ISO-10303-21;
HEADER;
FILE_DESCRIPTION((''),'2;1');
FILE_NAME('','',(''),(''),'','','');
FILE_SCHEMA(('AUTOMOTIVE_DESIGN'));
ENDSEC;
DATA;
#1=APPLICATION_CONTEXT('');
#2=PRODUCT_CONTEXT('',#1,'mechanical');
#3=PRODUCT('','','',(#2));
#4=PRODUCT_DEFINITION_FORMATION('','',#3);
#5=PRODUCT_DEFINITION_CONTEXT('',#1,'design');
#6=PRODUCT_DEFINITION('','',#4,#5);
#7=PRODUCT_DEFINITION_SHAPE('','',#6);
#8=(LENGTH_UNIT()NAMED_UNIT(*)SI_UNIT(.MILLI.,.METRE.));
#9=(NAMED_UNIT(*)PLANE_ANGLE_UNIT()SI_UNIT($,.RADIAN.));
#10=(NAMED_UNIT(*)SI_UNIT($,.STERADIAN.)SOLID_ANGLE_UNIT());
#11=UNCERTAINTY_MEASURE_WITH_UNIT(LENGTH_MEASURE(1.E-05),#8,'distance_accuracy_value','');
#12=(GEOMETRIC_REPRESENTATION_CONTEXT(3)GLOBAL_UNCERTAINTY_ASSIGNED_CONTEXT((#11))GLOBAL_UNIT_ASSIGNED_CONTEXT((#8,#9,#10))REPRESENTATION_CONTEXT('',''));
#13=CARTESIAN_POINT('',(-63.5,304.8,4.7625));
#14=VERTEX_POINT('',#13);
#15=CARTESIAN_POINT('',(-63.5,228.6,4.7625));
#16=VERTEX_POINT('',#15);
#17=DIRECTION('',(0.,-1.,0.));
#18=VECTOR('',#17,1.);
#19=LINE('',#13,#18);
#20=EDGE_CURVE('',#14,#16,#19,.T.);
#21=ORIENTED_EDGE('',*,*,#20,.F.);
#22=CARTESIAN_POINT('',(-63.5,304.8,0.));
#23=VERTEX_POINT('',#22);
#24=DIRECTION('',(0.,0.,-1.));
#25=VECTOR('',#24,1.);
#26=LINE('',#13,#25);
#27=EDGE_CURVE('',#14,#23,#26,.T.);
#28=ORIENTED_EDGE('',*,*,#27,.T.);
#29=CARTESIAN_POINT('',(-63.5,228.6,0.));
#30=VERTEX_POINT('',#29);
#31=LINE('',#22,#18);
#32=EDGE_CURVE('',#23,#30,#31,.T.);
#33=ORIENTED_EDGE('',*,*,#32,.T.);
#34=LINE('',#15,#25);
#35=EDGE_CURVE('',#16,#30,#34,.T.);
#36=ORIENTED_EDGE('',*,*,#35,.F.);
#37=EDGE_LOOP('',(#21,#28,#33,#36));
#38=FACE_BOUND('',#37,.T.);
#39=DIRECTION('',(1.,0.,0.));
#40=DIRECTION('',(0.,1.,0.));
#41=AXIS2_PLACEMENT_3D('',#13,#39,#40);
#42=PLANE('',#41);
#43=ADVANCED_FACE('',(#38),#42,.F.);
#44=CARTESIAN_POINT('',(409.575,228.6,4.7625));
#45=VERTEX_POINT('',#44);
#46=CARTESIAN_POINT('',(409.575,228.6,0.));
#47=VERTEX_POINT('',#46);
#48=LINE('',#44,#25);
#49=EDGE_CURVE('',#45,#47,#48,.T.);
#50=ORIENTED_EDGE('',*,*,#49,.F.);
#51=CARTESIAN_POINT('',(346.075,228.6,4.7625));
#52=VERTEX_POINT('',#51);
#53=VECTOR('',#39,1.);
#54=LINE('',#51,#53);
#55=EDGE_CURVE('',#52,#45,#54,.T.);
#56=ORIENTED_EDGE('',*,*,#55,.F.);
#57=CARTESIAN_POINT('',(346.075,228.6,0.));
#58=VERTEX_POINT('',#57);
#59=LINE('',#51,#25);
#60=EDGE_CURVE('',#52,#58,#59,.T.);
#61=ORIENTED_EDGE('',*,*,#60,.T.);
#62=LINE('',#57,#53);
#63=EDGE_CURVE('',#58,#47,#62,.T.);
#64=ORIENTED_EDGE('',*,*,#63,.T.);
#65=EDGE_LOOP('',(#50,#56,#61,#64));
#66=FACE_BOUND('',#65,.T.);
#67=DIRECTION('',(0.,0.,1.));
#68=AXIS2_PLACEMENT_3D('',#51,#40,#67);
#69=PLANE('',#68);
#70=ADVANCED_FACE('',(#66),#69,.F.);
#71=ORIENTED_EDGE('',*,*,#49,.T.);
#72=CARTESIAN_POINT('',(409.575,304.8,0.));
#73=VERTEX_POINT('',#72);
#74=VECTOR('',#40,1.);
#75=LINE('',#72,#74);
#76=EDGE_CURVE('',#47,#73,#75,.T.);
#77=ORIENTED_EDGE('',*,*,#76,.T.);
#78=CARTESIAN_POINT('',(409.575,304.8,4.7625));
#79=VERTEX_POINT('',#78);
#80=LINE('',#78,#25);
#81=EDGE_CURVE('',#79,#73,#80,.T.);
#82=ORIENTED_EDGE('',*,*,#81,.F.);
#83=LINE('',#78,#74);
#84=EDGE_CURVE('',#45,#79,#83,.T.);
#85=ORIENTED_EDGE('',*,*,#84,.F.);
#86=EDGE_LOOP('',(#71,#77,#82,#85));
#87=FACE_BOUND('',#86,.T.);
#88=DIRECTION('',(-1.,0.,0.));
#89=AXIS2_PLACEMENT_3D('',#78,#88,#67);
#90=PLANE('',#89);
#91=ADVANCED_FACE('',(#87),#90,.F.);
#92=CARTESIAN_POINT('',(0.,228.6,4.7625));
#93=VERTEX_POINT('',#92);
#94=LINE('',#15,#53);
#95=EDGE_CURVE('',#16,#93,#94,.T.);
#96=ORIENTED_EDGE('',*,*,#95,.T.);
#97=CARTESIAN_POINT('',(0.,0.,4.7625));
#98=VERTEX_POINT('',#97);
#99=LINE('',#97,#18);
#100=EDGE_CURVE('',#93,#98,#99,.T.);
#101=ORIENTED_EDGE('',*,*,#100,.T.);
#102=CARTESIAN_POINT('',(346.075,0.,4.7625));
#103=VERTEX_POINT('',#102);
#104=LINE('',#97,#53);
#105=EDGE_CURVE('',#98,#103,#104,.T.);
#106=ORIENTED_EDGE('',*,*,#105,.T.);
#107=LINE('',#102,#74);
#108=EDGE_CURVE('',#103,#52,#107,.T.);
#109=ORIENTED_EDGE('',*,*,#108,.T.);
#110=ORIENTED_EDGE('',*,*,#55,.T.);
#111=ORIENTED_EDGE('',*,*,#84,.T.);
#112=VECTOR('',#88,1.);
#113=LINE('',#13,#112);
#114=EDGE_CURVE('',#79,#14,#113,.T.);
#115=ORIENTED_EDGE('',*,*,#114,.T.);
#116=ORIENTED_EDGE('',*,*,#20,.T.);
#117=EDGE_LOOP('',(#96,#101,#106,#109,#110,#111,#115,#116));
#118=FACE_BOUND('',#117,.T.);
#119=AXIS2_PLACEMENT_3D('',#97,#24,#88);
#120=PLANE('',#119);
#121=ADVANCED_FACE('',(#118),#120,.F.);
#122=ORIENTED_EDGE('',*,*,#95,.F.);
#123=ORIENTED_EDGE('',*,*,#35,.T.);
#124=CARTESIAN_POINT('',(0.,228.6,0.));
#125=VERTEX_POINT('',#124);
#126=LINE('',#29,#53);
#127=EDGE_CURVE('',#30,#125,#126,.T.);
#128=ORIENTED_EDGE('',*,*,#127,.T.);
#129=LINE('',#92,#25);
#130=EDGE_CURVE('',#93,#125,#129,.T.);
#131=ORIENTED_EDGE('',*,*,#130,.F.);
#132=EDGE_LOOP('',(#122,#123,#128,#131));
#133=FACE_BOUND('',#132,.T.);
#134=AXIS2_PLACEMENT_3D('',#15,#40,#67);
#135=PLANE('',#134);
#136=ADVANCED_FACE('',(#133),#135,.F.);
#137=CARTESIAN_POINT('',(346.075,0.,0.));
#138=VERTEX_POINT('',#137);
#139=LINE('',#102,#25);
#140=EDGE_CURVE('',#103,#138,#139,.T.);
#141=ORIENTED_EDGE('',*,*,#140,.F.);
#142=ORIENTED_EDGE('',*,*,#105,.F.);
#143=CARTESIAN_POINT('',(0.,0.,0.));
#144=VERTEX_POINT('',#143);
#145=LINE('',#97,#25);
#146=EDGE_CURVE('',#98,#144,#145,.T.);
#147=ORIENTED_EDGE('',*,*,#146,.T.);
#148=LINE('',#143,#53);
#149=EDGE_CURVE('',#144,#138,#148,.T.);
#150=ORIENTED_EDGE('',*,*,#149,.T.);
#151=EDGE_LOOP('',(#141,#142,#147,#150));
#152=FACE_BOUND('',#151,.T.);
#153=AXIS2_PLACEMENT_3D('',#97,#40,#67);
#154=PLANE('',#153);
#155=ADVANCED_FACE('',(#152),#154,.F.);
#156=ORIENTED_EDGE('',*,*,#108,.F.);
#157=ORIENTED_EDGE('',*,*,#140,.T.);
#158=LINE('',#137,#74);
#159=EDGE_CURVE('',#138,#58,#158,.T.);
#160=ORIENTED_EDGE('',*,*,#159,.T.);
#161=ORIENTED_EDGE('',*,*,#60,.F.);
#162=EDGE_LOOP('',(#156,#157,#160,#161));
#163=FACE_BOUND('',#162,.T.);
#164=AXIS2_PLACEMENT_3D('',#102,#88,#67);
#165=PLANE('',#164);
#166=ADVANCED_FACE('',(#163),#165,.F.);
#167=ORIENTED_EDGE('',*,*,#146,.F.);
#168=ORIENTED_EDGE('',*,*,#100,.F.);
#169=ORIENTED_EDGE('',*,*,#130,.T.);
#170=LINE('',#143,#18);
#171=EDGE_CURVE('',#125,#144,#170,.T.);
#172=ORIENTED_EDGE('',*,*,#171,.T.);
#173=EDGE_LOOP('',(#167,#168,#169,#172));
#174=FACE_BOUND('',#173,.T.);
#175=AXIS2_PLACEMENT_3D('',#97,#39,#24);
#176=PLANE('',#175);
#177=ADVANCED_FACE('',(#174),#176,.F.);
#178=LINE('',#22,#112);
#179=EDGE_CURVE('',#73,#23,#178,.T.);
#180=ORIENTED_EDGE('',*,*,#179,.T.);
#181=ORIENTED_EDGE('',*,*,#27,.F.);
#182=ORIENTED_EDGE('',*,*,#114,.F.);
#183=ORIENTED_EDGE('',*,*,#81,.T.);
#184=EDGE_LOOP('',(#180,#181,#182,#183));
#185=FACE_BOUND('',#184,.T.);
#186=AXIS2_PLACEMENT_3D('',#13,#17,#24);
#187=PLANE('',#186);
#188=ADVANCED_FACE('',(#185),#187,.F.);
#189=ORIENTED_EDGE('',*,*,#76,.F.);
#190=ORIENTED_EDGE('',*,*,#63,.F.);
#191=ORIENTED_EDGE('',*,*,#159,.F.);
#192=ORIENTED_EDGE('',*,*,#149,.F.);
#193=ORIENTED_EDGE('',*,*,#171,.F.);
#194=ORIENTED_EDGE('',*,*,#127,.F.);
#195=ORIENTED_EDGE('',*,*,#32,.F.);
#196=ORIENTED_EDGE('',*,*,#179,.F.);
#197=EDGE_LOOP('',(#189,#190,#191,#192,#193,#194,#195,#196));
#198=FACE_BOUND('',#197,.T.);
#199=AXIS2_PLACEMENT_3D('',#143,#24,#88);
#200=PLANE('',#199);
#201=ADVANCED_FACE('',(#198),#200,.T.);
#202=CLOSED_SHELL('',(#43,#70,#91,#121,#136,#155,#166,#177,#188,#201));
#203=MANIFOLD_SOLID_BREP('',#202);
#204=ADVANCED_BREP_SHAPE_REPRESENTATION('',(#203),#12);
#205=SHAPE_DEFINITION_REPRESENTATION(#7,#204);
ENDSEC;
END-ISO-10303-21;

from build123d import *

# Parameters (mm, degrees)
BOSS_EXTRUDE1_DEPTH = 4.7625


with BuildPart() as part:
    # Sketch3 → Boss-Extrude1 (new body)
    with BuildSketch(Plane.XY):
        Polygon((346.075, 228.6), (409.575, 228.6), (409.575, 304.8), (-63.5, 304.8), (-63.5, 228.6), (0, 228.6), (0, 0), (346.075, 0), align=None)
    extrude(amount=BOSS_EXTRUDE1_DEPTH)


solid = part.part
